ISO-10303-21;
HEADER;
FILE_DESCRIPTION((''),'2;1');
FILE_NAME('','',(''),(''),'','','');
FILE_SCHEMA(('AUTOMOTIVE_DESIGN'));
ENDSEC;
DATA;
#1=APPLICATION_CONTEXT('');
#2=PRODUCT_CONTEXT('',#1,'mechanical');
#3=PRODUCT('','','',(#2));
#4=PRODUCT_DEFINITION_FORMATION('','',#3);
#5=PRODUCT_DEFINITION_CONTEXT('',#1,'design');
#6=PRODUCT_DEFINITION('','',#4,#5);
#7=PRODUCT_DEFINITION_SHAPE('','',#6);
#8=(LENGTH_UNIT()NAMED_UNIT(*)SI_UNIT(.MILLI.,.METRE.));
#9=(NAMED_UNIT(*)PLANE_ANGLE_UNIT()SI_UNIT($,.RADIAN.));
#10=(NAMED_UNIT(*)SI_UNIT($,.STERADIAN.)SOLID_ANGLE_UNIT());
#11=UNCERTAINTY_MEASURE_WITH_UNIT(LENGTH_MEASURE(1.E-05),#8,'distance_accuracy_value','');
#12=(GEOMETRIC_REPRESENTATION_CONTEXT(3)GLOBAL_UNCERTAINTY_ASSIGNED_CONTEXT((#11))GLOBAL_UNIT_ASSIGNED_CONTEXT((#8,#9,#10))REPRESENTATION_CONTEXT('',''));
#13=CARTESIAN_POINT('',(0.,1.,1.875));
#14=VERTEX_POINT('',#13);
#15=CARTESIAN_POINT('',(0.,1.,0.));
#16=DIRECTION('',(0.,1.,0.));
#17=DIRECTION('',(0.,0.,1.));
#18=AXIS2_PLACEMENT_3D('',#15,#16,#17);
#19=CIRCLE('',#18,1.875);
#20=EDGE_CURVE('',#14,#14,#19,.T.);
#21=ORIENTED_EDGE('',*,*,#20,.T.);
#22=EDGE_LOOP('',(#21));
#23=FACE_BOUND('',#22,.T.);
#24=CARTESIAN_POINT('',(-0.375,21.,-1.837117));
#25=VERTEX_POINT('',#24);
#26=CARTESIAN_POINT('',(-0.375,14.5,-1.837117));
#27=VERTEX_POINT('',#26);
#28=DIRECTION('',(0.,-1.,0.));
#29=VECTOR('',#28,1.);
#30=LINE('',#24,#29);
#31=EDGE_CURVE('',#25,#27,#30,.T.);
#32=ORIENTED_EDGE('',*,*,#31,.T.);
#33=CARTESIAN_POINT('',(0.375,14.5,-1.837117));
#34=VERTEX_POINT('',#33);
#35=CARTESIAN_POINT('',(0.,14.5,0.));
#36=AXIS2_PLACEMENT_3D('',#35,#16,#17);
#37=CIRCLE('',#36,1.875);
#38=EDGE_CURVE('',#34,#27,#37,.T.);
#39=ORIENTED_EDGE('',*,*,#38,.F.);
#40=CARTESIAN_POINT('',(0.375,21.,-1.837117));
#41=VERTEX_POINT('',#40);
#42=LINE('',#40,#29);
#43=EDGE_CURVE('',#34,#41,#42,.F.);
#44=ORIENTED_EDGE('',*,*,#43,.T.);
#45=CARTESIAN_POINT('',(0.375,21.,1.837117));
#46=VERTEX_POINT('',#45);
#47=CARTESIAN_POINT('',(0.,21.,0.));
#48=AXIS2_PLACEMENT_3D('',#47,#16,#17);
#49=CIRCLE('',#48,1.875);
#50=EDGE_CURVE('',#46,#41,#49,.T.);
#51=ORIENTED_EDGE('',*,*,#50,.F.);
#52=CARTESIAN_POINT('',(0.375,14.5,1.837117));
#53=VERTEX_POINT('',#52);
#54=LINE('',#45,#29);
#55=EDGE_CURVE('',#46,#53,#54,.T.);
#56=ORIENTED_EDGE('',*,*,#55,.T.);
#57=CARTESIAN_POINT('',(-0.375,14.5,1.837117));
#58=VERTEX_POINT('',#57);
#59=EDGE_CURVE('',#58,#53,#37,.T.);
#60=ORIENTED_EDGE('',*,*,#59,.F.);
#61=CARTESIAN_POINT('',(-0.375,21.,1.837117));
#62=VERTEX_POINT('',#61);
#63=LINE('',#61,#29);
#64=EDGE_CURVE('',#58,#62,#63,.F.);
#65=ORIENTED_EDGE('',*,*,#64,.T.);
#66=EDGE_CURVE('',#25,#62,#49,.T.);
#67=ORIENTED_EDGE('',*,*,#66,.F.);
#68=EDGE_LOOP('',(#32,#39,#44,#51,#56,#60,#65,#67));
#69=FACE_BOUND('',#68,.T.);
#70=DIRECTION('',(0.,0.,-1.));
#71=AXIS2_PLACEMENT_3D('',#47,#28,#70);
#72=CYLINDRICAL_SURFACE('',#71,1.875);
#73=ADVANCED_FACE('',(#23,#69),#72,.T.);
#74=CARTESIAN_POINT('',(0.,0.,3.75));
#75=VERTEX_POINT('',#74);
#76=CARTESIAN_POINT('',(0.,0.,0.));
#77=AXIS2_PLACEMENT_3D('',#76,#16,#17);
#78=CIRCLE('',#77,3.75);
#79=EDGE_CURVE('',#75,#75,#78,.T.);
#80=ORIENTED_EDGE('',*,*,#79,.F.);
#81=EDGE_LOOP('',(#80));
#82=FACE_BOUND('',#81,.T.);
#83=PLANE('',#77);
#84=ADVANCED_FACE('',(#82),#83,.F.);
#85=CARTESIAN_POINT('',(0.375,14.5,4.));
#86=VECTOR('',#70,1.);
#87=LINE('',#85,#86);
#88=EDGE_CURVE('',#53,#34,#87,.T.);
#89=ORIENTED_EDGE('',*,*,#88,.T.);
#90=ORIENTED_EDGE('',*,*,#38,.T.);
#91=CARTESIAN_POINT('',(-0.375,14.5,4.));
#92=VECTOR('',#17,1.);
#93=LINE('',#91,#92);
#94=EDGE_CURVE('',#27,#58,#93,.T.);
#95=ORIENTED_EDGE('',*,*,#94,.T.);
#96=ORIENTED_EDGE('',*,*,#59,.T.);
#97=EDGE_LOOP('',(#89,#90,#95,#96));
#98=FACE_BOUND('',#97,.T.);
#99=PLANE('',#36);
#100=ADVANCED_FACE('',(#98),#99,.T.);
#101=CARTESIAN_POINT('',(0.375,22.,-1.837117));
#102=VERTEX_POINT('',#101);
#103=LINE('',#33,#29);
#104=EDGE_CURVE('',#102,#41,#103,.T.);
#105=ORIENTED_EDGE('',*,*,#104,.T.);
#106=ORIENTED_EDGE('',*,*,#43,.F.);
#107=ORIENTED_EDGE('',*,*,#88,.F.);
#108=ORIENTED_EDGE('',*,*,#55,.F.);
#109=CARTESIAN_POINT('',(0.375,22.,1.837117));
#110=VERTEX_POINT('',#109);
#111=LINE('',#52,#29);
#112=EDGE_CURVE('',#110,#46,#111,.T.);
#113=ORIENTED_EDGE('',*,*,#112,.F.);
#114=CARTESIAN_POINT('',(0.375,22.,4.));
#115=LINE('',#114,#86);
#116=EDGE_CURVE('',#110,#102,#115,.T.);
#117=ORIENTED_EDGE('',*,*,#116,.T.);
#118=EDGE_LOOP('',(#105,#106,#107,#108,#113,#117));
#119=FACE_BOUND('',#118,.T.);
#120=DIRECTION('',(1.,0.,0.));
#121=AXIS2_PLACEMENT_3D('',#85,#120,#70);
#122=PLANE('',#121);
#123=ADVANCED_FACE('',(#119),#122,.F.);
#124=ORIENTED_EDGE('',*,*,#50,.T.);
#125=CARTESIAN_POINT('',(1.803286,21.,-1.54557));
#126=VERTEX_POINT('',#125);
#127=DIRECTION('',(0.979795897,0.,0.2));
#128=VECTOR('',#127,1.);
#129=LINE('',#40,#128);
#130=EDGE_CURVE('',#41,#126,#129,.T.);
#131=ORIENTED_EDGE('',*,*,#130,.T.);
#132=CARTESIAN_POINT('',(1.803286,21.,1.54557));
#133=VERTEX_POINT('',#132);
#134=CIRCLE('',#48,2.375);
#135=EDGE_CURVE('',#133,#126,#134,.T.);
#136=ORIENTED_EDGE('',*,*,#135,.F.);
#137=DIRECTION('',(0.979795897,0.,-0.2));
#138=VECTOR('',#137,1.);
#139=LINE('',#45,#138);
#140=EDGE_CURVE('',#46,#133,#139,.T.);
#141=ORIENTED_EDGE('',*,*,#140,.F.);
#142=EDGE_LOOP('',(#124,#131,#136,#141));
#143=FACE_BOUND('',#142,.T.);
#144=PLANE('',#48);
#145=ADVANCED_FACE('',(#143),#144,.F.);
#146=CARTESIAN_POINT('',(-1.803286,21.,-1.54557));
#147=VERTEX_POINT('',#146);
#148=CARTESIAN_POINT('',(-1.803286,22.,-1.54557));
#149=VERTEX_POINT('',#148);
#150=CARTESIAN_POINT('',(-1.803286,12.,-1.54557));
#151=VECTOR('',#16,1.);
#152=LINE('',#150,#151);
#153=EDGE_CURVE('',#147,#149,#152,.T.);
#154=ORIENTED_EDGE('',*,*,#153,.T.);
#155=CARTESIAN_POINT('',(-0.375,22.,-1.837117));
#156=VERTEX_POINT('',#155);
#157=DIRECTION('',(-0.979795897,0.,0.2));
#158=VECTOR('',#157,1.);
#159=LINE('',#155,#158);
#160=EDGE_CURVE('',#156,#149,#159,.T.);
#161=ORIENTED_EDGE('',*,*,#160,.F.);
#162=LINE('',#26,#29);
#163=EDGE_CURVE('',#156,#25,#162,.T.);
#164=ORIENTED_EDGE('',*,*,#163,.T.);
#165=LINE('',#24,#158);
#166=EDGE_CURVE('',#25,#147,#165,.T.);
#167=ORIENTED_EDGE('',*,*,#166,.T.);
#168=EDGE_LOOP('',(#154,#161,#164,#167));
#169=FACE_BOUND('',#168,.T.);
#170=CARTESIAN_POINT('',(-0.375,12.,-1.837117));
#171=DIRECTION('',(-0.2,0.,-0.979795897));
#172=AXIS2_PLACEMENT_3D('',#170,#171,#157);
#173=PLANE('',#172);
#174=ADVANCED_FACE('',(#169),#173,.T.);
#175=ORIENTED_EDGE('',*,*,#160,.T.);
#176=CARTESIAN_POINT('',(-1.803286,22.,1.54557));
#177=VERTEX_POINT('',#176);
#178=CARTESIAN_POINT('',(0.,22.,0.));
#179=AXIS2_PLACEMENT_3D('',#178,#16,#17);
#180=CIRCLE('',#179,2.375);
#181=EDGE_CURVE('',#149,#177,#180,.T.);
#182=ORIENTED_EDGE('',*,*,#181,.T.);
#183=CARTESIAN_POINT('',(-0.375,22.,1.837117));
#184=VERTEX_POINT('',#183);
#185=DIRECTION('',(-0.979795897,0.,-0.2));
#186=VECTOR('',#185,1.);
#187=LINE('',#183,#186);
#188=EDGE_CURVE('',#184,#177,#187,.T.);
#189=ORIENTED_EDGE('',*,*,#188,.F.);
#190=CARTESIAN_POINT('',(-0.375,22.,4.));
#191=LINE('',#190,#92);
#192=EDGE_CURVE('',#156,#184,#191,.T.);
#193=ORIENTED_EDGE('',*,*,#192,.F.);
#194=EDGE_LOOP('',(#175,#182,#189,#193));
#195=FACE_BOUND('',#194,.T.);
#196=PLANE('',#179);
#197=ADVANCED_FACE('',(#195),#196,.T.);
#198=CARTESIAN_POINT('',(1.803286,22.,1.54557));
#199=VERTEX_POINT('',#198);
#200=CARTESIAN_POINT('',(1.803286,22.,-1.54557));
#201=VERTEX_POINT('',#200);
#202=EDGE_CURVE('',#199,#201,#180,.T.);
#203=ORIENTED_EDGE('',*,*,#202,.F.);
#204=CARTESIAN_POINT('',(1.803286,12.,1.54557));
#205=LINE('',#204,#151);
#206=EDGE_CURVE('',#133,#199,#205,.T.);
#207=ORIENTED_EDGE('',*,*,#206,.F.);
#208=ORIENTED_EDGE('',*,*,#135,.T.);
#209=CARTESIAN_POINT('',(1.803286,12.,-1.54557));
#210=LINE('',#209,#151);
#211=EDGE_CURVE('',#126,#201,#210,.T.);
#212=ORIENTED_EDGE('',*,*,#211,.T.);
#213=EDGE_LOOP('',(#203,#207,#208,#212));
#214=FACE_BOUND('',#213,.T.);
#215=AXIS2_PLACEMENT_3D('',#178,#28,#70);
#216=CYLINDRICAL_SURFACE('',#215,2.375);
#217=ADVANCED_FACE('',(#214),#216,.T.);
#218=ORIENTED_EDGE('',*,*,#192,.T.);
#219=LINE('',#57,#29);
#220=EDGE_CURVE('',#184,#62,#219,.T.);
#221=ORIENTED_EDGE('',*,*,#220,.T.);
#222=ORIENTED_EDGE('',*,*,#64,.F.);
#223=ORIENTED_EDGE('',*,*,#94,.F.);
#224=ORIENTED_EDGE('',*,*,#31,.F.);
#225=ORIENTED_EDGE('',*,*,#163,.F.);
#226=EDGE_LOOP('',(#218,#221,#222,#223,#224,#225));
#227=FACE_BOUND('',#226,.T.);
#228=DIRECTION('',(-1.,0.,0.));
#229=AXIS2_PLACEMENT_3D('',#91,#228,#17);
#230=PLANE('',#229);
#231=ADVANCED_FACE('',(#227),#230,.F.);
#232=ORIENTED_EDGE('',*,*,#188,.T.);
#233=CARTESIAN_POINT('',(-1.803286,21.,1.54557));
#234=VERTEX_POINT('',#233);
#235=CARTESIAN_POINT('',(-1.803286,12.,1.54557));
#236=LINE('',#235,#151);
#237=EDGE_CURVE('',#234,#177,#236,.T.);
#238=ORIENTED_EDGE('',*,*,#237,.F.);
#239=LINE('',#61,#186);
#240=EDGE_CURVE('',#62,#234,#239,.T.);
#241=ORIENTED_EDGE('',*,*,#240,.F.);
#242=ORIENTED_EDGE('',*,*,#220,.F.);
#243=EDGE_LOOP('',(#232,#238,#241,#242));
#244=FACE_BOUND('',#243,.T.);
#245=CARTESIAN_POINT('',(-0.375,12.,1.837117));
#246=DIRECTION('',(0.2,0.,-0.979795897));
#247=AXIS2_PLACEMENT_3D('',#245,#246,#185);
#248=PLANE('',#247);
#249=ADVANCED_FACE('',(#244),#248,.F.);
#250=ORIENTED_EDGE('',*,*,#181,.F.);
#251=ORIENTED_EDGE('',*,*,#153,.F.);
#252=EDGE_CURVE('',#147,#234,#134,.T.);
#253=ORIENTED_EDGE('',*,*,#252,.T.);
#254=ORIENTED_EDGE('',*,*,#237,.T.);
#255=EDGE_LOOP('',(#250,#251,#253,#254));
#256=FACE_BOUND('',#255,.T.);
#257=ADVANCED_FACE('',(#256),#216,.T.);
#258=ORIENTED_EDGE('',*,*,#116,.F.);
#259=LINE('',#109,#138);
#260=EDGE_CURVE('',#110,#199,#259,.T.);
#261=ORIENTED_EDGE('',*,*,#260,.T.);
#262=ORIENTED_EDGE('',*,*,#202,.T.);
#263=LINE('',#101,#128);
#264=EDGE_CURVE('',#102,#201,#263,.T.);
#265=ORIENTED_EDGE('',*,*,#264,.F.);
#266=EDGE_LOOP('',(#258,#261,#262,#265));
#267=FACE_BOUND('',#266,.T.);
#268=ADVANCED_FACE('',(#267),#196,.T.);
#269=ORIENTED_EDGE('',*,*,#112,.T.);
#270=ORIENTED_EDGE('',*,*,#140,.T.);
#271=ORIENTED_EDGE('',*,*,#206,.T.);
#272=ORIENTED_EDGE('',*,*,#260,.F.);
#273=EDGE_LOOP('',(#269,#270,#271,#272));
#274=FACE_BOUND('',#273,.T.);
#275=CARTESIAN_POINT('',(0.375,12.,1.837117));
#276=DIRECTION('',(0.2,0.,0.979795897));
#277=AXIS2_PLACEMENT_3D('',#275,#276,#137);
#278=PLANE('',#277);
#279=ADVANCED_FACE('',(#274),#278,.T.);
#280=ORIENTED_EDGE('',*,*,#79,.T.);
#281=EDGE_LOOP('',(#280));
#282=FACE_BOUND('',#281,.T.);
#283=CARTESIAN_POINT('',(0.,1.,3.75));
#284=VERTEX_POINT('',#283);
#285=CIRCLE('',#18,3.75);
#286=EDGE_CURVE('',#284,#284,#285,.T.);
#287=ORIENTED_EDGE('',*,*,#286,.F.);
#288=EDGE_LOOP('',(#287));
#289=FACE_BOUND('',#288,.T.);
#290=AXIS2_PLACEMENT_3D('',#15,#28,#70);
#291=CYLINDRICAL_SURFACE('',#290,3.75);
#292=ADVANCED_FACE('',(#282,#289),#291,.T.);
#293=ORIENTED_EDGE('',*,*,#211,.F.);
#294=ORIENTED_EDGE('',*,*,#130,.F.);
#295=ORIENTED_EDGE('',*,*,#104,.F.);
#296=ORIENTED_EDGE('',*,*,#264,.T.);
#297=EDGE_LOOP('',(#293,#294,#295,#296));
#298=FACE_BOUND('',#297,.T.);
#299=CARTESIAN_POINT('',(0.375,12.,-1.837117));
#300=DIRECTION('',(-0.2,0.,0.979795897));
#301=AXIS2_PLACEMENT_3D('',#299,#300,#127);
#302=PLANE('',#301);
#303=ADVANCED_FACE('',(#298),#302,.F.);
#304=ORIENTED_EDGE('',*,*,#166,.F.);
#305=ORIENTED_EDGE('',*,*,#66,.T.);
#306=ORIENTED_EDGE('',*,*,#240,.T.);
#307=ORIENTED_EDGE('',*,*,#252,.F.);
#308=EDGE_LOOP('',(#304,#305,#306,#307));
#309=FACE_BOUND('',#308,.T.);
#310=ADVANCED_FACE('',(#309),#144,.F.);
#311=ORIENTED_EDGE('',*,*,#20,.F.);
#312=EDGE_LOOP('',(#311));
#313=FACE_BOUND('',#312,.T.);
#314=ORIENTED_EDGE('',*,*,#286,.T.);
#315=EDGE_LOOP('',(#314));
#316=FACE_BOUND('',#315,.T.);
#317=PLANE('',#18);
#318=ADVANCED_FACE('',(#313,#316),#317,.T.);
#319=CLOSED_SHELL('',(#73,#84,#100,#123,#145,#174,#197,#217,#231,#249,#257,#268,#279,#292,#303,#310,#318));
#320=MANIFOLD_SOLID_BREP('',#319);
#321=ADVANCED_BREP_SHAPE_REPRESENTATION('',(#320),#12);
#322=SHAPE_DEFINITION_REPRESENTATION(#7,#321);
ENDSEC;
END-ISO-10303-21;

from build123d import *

# Parameters (mm, degrees)
SKETCH1_R           = 3.75
BOSS_EXTRUDE1_DEPTH = 1
SKETCH2_R           = 1.875
BOSS_EXTRUDE2_DEPTH = 20
SKETCH3_R           = 2.375
BOSS_EXTRUDE3_DEPTH = 1
SKETCH4_W           = 0.75
SKETCH4_H           = 8
CUT_EXTRUDE1_DEPTH  = 7.5
CUT_EXTRUDE2_START  = -10
CUT_EXTRUDE2_DEPTH  = 10


with BuildPart() as part:
    # Sketch1 → Boss-Extrude1 (new body)
    with BuildSketch(Plane(origin=(0, 0, 0), x_dir=(1, 0, 0), z_dir=(0, 1, 0))):
        with Locations(Location((0, 0, 0), (0, 0, 270))):
            Circle(SKETCH1_R)
    extrude(amount=BOSS_EXTRUDE1_DEPTH)

    # Sketch2 → Boss-Extrude2 (add)
    with BuildSketch(Plane(origin=(0, 1, 0), x_dir=(1, 0, 0), z_dir=(0, 1, 0))):
        with Locations(Location((0, 0, 0), (0, 0, 270))):
            Circle(SKETCH2_R)
    extrude(amount=BOSS_EXTRUDE2_DEPTH)

    # Sketch3 → Boss-Extrude3 (add)
    with BuildSketch(Plane(origin=(0, 21, 0), x_dir=(1, 0, 0), z_dir=(0, 1, 0))):
        with Locations(Location((0, 0, 0), (0, 0, 270))):
            Circle(SKETCH3_R)
    extrude(amount=BOSS_EXTRUDE3_DEPTH)

    # Sketch4 → Cut-Extrude1 (cut)
    with BuildSketch(Plane(origin=(0, 22, 0), x_dir=(1, 0, 0), z_dir=(0, 1, 0))):
        Rectangle(SKETCH4_W, SKETCH4_H)
    extrude(amount=-CUT_EXTRUDE1_DEPTH, mode=Mode.SUBTRACT)

    # Sketch5 → Cut-Extrude2 (cut)
    with BuildSketch(Plane(origin=(0, 22, 0), x_dir=(1, 0, 0), z_dir=(0, 1, 0)).offset(CUT_EXTRUDE2_START)):
        with BuildLine():
            Line((1.803285686, -1.545569712), (0.375, -1.837117307))
            Line((0.375, -1.837117307), (0.375, -2.34520788))
            ThreePointArc((0.375, -2.34520788), (1.160210081, -2.072326607), (1.803285686, -1.545569712))
        make_face()
        with BuildLine():
            Line((0.375, 2.34520788), (0.375, 1.837117307))
            Line((0.375, 1.837117307), (1.803285686, 1.545569712))
            ThreePointArc((1.803285686, 1.545569712), (1.160210081, 2.072326607), (0.375, 2.34520788))
        make_face()
        with BuildLine():
            Line((-1.803285686, 1.545569712), (-0.375, 1.837117307))
            Line((-0.375, 1.837117307), (-0.375, 2.34520788))
            ThreePointArc((-0.375, 2.34520788), (-1.160210081, 2.072326607), (-1.803285686, 1.545569712))
        make_face()
        with BuildLine():
            Line((-0.375, -2.34520788), (-0.375, -1.837117307))
            Line((-0.375, -1.837117307), (-1.803285686, -1.545569712))
            ThreePointArc((-1.803285686, -1.545569712), (-1.160210081, -2.072326607), (-0.375, -2.34520788))
        make_face()
    extrude(amount=CUT_EXTRUDE2_DEPTH, mode=Mode.SUBTRACT)


solid = part.part
